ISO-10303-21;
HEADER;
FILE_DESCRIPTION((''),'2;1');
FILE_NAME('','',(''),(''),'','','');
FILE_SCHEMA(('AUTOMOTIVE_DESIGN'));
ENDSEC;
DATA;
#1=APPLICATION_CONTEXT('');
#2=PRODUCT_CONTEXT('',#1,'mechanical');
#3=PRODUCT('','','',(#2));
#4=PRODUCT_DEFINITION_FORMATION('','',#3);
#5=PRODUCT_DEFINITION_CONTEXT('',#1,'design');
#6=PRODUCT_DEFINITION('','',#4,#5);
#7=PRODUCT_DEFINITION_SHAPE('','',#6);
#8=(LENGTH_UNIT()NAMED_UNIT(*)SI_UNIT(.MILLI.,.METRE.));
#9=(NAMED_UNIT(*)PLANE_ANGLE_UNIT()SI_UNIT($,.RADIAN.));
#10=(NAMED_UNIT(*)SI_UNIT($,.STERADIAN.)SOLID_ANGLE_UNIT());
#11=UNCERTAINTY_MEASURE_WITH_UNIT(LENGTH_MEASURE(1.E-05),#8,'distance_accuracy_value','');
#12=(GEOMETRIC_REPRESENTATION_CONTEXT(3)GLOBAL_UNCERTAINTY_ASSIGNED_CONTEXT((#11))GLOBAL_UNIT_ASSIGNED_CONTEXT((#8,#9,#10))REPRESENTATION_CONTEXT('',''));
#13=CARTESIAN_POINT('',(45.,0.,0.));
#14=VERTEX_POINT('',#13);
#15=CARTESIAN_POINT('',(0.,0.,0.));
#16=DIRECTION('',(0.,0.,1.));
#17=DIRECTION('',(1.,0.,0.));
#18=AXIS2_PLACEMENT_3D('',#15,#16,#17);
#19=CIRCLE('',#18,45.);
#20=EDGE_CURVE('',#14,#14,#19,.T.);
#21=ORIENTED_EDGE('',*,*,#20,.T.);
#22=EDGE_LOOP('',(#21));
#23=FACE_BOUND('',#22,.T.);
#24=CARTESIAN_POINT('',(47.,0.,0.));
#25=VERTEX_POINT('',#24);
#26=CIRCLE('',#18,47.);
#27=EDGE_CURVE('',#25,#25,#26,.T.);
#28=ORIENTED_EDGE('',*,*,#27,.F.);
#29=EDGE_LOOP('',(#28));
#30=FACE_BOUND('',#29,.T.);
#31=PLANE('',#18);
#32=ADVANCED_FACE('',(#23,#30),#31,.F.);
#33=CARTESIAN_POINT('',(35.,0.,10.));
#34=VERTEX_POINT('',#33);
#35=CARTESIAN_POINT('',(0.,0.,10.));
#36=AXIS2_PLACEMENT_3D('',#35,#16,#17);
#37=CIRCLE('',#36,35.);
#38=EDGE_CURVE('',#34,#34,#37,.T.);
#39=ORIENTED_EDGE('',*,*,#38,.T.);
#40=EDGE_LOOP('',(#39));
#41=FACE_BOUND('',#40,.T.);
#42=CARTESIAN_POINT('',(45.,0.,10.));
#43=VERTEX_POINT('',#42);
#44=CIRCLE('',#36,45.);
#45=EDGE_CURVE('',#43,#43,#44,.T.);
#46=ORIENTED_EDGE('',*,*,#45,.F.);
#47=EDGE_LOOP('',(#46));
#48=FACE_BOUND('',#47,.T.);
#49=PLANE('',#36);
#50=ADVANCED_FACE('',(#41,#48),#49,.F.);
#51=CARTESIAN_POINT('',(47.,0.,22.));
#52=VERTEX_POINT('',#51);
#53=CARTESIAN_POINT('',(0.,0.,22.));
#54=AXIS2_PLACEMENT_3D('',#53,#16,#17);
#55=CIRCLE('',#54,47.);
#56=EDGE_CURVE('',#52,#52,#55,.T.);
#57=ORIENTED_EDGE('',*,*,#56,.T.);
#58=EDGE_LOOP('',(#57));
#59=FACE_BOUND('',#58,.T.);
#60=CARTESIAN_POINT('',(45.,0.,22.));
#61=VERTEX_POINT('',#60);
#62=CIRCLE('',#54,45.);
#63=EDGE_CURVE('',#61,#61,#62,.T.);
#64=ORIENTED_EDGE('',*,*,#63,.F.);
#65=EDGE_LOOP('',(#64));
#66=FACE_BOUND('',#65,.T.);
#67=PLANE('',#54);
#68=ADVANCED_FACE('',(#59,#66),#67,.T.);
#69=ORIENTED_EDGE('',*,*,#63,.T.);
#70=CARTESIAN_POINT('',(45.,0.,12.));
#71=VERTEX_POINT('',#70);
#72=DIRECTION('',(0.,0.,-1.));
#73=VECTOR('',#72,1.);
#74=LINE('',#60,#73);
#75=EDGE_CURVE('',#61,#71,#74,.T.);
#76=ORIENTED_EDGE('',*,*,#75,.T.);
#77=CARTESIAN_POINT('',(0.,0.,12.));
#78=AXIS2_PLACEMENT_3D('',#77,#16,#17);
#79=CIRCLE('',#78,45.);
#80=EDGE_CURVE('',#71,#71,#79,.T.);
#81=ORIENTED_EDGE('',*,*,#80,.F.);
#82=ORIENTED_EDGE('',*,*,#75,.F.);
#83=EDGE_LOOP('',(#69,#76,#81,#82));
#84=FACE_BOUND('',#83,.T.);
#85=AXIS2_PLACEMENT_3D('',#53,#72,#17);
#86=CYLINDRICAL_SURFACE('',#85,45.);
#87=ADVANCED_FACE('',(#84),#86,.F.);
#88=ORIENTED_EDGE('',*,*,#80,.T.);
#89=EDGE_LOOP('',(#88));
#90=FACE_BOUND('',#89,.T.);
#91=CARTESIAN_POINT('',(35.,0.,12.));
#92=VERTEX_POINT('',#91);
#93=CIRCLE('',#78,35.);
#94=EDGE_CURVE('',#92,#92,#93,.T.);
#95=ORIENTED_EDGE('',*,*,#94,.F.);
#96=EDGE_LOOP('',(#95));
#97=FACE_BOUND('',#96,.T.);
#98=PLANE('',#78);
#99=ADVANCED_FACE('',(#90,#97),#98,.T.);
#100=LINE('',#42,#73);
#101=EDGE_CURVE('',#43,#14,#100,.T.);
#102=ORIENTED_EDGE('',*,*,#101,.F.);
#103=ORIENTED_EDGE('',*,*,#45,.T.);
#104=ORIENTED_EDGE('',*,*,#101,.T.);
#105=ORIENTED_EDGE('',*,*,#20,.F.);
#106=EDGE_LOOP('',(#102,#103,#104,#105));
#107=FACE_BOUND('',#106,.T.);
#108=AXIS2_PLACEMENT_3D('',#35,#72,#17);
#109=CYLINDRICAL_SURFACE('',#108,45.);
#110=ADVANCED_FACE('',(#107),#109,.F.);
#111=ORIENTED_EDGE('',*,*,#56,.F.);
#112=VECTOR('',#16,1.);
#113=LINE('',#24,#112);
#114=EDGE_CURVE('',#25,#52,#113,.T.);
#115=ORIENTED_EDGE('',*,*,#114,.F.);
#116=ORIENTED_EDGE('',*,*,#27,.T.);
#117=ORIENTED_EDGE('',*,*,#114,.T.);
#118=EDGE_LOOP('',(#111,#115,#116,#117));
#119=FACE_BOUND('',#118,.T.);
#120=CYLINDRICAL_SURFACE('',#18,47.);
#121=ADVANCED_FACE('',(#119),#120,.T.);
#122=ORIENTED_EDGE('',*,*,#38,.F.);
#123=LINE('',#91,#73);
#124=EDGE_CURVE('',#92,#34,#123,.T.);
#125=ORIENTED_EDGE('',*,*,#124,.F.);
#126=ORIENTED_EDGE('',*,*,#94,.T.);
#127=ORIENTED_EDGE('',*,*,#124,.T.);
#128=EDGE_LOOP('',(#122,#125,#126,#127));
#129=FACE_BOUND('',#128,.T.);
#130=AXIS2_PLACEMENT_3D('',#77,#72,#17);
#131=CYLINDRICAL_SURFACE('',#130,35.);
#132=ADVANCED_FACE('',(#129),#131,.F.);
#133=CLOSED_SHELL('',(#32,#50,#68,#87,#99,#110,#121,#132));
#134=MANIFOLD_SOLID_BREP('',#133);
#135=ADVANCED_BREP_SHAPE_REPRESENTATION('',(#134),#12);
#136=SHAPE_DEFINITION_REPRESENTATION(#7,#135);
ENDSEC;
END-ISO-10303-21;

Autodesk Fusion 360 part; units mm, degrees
sketch "Sketch1" plane through (0, 0, 0) normal (0, 1, 0) x (1, 0, 0)
  line L0 (47, 0) -> (47, -22)
  line L1 (47, -22) -> (45, -22)
  line L2 (45, -22) -> (45, -12)
  line L3 (45, -12) -> (35, -12)
  line L4 (35, -12) -> (35, -10)
  line L5 (35, -10) -> (45, -10)
  line L6 (45, -10) -> (45, 0)
  line L7 (45, 0) -> (47, 0)
  dimension "d1" = 45
  dimension "d2" = 35
  dimension "d3" = 2
  dimension "d4" = 2
  dimension "d5" = 10
revolve "Revolve1" add sketch "Sketch1" angle 360 about axis through (0, 0, 1.75) along (0, 0, 1)
